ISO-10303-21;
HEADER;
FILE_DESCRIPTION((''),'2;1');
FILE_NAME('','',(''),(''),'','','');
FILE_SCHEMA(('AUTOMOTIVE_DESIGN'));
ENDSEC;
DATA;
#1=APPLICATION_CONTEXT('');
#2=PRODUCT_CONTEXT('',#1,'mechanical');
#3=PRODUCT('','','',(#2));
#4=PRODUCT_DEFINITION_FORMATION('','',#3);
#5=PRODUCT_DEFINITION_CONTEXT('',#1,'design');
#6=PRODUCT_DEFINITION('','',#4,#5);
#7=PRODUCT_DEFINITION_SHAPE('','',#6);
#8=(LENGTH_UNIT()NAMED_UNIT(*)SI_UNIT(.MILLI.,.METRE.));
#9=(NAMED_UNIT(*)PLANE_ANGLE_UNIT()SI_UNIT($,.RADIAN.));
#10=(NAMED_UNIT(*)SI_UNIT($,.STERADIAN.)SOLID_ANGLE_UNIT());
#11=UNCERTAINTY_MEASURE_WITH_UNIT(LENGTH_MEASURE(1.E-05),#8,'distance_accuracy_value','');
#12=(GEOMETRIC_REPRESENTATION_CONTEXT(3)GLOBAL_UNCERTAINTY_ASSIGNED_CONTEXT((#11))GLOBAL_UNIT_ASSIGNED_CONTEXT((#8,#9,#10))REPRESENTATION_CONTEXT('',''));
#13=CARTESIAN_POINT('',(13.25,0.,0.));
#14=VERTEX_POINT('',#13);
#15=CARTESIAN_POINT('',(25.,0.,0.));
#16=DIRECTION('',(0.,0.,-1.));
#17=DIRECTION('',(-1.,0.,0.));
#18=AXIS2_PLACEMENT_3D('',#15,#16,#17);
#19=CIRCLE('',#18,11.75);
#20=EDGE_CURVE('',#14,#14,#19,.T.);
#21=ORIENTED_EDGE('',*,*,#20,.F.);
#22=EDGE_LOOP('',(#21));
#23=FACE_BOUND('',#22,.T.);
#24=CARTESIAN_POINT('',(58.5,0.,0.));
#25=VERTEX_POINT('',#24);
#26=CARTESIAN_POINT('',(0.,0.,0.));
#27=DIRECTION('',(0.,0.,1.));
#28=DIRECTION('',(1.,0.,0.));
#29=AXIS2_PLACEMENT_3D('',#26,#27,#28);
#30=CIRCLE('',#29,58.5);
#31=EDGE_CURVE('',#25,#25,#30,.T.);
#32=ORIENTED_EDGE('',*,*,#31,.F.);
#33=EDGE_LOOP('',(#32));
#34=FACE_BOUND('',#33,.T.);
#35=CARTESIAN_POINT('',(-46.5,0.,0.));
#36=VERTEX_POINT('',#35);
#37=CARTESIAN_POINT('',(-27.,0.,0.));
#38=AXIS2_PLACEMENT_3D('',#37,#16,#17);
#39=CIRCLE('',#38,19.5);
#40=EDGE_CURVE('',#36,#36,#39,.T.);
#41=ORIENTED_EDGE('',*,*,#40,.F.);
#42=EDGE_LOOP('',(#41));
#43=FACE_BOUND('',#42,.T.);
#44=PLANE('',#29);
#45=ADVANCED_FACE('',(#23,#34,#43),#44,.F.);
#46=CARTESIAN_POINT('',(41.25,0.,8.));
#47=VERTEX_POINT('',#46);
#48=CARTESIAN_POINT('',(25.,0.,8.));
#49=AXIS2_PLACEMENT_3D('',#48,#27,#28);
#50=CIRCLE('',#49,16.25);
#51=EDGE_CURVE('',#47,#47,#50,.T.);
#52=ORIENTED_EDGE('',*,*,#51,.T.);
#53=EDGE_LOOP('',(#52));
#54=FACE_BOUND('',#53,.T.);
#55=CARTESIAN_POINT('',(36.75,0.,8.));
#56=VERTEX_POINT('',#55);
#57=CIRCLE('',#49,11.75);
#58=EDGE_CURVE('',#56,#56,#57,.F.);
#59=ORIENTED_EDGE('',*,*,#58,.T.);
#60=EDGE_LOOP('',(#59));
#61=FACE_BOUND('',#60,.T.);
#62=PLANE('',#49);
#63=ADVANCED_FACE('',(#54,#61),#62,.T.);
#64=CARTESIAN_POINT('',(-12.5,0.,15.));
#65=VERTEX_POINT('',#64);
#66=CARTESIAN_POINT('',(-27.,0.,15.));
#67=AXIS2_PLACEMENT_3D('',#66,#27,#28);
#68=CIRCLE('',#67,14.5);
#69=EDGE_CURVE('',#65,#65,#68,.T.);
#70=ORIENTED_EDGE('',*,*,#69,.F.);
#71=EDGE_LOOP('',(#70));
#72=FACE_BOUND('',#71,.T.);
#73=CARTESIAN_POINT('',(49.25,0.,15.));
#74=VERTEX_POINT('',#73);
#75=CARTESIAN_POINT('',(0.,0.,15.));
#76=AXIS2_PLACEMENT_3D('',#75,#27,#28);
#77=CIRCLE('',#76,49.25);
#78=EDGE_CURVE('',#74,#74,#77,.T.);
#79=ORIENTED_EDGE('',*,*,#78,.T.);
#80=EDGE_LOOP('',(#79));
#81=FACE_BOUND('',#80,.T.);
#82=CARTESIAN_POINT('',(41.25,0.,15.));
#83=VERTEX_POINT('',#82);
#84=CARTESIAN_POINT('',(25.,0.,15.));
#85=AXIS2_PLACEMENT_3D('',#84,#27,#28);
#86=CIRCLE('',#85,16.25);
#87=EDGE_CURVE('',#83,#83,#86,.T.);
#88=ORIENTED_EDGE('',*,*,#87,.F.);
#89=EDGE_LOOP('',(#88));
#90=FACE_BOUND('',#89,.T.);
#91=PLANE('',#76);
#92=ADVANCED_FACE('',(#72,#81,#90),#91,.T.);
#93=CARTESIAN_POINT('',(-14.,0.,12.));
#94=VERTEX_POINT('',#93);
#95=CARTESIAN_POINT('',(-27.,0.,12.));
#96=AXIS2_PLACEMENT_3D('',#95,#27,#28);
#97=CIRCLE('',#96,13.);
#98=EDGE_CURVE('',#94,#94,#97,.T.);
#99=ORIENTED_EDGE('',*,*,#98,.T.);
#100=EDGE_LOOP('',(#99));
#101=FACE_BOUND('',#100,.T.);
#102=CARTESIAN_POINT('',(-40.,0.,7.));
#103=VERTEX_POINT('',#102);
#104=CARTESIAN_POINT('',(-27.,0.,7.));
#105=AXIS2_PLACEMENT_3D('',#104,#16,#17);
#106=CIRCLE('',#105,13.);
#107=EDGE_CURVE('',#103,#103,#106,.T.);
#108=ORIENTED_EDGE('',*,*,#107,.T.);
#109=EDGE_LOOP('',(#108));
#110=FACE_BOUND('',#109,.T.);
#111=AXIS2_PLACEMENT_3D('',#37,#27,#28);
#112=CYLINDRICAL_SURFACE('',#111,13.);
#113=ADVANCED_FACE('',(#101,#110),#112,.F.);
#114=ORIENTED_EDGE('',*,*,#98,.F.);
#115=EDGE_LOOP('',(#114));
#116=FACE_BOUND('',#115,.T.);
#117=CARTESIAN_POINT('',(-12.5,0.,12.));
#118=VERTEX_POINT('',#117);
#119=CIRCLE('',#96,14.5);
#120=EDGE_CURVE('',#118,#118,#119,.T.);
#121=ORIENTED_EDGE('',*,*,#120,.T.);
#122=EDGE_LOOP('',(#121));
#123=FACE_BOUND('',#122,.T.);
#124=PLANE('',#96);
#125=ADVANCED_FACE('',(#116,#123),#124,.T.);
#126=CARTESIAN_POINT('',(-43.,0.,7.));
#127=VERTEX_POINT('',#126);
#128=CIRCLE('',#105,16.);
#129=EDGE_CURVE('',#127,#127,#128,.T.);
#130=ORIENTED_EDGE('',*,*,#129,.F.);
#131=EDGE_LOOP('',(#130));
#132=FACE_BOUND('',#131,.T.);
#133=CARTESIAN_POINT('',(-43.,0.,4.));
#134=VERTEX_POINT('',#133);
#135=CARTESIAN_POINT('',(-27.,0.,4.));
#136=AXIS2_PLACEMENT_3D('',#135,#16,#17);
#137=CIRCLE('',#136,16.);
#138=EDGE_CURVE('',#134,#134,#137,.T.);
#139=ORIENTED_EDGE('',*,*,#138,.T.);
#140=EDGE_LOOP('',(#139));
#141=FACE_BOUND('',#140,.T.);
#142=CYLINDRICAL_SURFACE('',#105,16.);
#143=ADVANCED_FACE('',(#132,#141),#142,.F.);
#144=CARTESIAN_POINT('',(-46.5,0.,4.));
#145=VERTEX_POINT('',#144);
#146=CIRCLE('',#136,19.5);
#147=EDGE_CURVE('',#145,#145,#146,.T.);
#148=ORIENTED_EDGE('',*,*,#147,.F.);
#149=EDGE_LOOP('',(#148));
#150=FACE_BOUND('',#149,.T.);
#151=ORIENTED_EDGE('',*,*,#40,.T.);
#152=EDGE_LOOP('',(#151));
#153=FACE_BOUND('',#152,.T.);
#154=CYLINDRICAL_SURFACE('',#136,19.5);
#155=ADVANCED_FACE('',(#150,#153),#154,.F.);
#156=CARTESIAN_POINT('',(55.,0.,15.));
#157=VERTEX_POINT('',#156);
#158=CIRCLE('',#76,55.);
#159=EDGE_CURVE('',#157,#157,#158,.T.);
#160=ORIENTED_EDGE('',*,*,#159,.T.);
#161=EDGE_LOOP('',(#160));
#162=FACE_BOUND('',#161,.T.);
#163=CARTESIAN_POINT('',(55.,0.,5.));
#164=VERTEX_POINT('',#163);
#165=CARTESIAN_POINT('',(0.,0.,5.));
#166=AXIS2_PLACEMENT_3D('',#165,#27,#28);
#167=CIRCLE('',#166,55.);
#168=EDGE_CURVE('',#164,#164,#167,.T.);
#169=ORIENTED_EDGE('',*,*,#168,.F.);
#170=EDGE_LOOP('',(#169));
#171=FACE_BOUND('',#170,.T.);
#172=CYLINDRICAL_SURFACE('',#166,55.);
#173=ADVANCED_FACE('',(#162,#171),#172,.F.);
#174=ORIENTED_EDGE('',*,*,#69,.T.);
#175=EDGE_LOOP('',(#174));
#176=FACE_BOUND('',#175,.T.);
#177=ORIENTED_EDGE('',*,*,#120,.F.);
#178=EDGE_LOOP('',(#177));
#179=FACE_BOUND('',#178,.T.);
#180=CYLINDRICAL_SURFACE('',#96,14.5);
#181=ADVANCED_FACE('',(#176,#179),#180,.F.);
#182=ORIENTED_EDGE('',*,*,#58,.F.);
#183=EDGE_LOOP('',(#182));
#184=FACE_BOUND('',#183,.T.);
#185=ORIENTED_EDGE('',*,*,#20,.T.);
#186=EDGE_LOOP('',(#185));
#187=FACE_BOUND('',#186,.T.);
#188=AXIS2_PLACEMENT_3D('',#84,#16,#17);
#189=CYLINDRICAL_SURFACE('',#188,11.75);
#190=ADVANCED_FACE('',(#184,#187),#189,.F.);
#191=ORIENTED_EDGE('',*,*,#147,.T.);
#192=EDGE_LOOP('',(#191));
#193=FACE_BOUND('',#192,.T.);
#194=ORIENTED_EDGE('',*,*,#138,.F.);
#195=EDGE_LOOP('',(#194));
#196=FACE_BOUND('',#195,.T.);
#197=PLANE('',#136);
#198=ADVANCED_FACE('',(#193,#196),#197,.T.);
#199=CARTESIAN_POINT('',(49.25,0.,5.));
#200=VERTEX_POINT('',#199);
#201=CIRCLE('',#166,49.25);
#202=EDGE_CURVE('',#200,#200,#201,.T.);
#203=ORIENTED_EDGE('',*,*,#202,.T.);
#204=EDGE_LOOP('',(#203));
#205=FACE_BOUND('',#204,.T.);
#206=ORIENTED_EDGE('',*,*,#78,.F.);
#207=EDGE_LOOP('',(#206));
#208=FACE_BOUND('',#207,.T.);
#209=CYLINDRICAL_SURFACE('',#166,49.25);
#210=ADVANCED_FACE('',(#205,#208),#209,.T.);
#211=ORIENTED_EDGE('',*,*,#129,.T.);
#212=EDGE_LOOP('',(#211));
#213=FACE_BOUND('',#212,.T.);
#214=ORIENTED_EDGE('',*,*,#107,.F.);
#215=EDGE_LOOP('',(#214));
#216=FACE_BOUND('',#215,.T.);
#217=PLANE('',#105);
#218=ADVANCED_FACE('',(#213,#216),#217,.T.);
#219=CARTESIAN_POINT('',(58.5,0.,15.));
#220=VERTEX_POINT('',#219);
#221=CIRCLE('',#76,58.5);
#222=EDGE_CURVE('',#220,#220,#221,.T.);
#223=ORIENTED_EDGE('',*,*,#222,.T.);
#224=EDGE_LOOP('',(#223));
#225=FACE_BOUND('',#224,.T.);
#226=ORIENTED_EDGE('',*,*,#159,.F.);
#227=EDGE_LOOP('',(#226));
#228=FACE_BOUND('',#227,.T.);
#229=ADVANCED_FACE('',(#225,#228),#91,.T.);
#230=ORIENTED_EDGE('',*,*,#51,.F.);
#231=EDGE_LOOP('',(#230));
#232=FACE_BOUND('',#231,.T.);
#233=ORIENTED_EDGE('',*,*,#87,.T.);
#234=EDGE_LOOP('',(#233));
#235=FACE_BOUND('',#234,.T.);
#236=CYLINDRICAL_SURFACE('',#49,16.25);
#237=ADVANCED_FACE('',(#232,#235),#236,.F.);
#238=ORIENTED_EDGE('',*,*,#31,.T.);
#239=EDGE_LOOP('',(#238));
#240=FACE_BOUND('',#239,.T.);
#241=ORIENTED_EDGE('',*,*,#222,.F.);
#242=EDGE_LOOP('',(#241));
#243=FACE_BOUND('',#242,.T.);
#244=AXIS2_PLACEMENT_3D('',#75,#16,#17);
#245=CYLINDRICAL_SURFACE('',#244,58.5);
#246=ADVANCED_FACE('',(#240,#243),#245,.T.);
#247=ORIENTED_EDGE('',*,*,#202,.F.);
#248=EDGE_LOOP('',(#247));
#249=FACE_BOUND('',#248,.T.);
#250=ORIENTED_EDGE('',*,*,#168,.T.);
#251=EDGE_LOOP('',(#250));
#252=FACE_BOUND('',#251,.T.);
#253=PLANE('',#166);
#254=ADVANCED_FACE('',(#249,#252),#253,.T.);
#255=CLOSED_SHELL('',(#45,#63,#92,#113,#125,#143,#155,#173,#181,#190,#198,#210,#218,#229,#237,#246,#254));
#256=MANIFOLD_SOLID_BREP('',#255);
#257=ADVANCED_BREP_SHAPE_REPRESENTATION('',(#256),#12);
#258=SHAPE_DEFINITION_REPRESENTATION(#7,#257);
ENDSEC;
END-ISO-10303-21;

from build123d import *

# Parameters (mm, degrees)
SKETCH1_R           = 58.5
BOSS_EXTRUDE1_DEPTH = 15
SKETCH2_R           = 55
SKETCH2_R_2         = 49.25
CUT_EXTRUDE1_DEPTH  = 10
SKETCH3_R           = 11.75
CUT_EXTRUDE2_DEPTH  = 85.080318743
SKETCH4_R           = 16.25
CUT_EXTRUDE3_DEPTH  = 7
SKETCH5_R           = 19.5
CUT_EXTRUDE4_DEPTH  = 4
SKETCH6_R           = 16
CUT_EXTRUDE5_DEPTH  = 3
SKETCH7_R           = 14.5
CUT_EXTRUDE6_DEPTH  = 3
SKETCH8_R           = 13
CUT_EXTRUDE7_DEPTH  = 84.597248759


with BuildPart() as part:
    # Sketch1 → Boss-Extrude1 (new body)
    with BuildSketch(Plane.XY):
        Circle(SKETCH1_R)
    extrude(amount=BOSS_EXTRUDE1_DEPTH)

    # Sketch2 → Cut-Extrude1 (cut)
    with BuildSketch(Plane.XY.offset(15)):
        Circle(SKETCH2_R)
        Circle(SKETCH2_R_2, mode=Mode.SUBTRACT)
    extrude(amount=-CUT_EXTRUDE1_DEPTH, mode=Mode.SUBTRACT)

    # Sketch3 → Cut-Extrude2 (cut, through all)
    with BuildSketch(Plane(origin=(0, 0, 0), x_dir=(-1, 0, 0), z_dir=(0, 0, -1))):
        with Locations((-25, 0)):
            Circle(SKETCH3_R)
    extrude(amount=-CUT_EXTRUDE2_DEPTH, mode=Mode.SUBTRACT)

    # Sketch4 → Cut-Extrude3 (cut)
    with BuildSketch(Plane.XY.offset(15)):
        with Locations((25, 0)):
            Circle(SKETCH4_R)
    extrude(amount=-CUT_EXTRUDE3_DEPTH, mode=Mode.SUBTRACT)

    # Sketch5 → Cut-Extrude4 (cut)
    with BuildSketch(Plane(origin=(0, 0, 0), x_dir=(-1, 0, 0), z_dir=(0, 0, -1))):
        with Locations((27, 0)):
            Circle(SKETCH5_R)
    extrude(amount=-CUT_EXTRUDE4_DEPTH, mode=Mode.SUBTRACT)

    # Sketch6 → Cut-Extrude5 (cut)
    with BuildSketch(Plane(origin=(0, 0, 4), x_dir=(-1, 0, 0), z_dir=(0, 0, -1))):
        with Locations((27, 0)):
            Circle(SKETCH6_R)
    extrude(amount=-CUT_EXTRUDE5_DEPTH, mode=Mode.SUBTRACT)

    # Sketch7 → Cut-Extrude6 (cut)
    with BuildSketch(Plane.XY.offset(15)):
        with Locations((-27, 0)):
            Circle(SKETCH7_R)
    extrude(amount=-CUT_EXTRUDE6_DEPTH, mode=Mode.SUBTRACT)

    # Sketch8 → Cut-Extrude7 (cut, through all)
    with BuildSketch(Plane.XY.offset(12)):
        with Locations((-27, 0)):
            Circle(SKETCH8_R)
    extrude(amount=-CUT_EXTRUDE7_DEPTH, mode=Mode.SUBTRACT)


solid = part.part
